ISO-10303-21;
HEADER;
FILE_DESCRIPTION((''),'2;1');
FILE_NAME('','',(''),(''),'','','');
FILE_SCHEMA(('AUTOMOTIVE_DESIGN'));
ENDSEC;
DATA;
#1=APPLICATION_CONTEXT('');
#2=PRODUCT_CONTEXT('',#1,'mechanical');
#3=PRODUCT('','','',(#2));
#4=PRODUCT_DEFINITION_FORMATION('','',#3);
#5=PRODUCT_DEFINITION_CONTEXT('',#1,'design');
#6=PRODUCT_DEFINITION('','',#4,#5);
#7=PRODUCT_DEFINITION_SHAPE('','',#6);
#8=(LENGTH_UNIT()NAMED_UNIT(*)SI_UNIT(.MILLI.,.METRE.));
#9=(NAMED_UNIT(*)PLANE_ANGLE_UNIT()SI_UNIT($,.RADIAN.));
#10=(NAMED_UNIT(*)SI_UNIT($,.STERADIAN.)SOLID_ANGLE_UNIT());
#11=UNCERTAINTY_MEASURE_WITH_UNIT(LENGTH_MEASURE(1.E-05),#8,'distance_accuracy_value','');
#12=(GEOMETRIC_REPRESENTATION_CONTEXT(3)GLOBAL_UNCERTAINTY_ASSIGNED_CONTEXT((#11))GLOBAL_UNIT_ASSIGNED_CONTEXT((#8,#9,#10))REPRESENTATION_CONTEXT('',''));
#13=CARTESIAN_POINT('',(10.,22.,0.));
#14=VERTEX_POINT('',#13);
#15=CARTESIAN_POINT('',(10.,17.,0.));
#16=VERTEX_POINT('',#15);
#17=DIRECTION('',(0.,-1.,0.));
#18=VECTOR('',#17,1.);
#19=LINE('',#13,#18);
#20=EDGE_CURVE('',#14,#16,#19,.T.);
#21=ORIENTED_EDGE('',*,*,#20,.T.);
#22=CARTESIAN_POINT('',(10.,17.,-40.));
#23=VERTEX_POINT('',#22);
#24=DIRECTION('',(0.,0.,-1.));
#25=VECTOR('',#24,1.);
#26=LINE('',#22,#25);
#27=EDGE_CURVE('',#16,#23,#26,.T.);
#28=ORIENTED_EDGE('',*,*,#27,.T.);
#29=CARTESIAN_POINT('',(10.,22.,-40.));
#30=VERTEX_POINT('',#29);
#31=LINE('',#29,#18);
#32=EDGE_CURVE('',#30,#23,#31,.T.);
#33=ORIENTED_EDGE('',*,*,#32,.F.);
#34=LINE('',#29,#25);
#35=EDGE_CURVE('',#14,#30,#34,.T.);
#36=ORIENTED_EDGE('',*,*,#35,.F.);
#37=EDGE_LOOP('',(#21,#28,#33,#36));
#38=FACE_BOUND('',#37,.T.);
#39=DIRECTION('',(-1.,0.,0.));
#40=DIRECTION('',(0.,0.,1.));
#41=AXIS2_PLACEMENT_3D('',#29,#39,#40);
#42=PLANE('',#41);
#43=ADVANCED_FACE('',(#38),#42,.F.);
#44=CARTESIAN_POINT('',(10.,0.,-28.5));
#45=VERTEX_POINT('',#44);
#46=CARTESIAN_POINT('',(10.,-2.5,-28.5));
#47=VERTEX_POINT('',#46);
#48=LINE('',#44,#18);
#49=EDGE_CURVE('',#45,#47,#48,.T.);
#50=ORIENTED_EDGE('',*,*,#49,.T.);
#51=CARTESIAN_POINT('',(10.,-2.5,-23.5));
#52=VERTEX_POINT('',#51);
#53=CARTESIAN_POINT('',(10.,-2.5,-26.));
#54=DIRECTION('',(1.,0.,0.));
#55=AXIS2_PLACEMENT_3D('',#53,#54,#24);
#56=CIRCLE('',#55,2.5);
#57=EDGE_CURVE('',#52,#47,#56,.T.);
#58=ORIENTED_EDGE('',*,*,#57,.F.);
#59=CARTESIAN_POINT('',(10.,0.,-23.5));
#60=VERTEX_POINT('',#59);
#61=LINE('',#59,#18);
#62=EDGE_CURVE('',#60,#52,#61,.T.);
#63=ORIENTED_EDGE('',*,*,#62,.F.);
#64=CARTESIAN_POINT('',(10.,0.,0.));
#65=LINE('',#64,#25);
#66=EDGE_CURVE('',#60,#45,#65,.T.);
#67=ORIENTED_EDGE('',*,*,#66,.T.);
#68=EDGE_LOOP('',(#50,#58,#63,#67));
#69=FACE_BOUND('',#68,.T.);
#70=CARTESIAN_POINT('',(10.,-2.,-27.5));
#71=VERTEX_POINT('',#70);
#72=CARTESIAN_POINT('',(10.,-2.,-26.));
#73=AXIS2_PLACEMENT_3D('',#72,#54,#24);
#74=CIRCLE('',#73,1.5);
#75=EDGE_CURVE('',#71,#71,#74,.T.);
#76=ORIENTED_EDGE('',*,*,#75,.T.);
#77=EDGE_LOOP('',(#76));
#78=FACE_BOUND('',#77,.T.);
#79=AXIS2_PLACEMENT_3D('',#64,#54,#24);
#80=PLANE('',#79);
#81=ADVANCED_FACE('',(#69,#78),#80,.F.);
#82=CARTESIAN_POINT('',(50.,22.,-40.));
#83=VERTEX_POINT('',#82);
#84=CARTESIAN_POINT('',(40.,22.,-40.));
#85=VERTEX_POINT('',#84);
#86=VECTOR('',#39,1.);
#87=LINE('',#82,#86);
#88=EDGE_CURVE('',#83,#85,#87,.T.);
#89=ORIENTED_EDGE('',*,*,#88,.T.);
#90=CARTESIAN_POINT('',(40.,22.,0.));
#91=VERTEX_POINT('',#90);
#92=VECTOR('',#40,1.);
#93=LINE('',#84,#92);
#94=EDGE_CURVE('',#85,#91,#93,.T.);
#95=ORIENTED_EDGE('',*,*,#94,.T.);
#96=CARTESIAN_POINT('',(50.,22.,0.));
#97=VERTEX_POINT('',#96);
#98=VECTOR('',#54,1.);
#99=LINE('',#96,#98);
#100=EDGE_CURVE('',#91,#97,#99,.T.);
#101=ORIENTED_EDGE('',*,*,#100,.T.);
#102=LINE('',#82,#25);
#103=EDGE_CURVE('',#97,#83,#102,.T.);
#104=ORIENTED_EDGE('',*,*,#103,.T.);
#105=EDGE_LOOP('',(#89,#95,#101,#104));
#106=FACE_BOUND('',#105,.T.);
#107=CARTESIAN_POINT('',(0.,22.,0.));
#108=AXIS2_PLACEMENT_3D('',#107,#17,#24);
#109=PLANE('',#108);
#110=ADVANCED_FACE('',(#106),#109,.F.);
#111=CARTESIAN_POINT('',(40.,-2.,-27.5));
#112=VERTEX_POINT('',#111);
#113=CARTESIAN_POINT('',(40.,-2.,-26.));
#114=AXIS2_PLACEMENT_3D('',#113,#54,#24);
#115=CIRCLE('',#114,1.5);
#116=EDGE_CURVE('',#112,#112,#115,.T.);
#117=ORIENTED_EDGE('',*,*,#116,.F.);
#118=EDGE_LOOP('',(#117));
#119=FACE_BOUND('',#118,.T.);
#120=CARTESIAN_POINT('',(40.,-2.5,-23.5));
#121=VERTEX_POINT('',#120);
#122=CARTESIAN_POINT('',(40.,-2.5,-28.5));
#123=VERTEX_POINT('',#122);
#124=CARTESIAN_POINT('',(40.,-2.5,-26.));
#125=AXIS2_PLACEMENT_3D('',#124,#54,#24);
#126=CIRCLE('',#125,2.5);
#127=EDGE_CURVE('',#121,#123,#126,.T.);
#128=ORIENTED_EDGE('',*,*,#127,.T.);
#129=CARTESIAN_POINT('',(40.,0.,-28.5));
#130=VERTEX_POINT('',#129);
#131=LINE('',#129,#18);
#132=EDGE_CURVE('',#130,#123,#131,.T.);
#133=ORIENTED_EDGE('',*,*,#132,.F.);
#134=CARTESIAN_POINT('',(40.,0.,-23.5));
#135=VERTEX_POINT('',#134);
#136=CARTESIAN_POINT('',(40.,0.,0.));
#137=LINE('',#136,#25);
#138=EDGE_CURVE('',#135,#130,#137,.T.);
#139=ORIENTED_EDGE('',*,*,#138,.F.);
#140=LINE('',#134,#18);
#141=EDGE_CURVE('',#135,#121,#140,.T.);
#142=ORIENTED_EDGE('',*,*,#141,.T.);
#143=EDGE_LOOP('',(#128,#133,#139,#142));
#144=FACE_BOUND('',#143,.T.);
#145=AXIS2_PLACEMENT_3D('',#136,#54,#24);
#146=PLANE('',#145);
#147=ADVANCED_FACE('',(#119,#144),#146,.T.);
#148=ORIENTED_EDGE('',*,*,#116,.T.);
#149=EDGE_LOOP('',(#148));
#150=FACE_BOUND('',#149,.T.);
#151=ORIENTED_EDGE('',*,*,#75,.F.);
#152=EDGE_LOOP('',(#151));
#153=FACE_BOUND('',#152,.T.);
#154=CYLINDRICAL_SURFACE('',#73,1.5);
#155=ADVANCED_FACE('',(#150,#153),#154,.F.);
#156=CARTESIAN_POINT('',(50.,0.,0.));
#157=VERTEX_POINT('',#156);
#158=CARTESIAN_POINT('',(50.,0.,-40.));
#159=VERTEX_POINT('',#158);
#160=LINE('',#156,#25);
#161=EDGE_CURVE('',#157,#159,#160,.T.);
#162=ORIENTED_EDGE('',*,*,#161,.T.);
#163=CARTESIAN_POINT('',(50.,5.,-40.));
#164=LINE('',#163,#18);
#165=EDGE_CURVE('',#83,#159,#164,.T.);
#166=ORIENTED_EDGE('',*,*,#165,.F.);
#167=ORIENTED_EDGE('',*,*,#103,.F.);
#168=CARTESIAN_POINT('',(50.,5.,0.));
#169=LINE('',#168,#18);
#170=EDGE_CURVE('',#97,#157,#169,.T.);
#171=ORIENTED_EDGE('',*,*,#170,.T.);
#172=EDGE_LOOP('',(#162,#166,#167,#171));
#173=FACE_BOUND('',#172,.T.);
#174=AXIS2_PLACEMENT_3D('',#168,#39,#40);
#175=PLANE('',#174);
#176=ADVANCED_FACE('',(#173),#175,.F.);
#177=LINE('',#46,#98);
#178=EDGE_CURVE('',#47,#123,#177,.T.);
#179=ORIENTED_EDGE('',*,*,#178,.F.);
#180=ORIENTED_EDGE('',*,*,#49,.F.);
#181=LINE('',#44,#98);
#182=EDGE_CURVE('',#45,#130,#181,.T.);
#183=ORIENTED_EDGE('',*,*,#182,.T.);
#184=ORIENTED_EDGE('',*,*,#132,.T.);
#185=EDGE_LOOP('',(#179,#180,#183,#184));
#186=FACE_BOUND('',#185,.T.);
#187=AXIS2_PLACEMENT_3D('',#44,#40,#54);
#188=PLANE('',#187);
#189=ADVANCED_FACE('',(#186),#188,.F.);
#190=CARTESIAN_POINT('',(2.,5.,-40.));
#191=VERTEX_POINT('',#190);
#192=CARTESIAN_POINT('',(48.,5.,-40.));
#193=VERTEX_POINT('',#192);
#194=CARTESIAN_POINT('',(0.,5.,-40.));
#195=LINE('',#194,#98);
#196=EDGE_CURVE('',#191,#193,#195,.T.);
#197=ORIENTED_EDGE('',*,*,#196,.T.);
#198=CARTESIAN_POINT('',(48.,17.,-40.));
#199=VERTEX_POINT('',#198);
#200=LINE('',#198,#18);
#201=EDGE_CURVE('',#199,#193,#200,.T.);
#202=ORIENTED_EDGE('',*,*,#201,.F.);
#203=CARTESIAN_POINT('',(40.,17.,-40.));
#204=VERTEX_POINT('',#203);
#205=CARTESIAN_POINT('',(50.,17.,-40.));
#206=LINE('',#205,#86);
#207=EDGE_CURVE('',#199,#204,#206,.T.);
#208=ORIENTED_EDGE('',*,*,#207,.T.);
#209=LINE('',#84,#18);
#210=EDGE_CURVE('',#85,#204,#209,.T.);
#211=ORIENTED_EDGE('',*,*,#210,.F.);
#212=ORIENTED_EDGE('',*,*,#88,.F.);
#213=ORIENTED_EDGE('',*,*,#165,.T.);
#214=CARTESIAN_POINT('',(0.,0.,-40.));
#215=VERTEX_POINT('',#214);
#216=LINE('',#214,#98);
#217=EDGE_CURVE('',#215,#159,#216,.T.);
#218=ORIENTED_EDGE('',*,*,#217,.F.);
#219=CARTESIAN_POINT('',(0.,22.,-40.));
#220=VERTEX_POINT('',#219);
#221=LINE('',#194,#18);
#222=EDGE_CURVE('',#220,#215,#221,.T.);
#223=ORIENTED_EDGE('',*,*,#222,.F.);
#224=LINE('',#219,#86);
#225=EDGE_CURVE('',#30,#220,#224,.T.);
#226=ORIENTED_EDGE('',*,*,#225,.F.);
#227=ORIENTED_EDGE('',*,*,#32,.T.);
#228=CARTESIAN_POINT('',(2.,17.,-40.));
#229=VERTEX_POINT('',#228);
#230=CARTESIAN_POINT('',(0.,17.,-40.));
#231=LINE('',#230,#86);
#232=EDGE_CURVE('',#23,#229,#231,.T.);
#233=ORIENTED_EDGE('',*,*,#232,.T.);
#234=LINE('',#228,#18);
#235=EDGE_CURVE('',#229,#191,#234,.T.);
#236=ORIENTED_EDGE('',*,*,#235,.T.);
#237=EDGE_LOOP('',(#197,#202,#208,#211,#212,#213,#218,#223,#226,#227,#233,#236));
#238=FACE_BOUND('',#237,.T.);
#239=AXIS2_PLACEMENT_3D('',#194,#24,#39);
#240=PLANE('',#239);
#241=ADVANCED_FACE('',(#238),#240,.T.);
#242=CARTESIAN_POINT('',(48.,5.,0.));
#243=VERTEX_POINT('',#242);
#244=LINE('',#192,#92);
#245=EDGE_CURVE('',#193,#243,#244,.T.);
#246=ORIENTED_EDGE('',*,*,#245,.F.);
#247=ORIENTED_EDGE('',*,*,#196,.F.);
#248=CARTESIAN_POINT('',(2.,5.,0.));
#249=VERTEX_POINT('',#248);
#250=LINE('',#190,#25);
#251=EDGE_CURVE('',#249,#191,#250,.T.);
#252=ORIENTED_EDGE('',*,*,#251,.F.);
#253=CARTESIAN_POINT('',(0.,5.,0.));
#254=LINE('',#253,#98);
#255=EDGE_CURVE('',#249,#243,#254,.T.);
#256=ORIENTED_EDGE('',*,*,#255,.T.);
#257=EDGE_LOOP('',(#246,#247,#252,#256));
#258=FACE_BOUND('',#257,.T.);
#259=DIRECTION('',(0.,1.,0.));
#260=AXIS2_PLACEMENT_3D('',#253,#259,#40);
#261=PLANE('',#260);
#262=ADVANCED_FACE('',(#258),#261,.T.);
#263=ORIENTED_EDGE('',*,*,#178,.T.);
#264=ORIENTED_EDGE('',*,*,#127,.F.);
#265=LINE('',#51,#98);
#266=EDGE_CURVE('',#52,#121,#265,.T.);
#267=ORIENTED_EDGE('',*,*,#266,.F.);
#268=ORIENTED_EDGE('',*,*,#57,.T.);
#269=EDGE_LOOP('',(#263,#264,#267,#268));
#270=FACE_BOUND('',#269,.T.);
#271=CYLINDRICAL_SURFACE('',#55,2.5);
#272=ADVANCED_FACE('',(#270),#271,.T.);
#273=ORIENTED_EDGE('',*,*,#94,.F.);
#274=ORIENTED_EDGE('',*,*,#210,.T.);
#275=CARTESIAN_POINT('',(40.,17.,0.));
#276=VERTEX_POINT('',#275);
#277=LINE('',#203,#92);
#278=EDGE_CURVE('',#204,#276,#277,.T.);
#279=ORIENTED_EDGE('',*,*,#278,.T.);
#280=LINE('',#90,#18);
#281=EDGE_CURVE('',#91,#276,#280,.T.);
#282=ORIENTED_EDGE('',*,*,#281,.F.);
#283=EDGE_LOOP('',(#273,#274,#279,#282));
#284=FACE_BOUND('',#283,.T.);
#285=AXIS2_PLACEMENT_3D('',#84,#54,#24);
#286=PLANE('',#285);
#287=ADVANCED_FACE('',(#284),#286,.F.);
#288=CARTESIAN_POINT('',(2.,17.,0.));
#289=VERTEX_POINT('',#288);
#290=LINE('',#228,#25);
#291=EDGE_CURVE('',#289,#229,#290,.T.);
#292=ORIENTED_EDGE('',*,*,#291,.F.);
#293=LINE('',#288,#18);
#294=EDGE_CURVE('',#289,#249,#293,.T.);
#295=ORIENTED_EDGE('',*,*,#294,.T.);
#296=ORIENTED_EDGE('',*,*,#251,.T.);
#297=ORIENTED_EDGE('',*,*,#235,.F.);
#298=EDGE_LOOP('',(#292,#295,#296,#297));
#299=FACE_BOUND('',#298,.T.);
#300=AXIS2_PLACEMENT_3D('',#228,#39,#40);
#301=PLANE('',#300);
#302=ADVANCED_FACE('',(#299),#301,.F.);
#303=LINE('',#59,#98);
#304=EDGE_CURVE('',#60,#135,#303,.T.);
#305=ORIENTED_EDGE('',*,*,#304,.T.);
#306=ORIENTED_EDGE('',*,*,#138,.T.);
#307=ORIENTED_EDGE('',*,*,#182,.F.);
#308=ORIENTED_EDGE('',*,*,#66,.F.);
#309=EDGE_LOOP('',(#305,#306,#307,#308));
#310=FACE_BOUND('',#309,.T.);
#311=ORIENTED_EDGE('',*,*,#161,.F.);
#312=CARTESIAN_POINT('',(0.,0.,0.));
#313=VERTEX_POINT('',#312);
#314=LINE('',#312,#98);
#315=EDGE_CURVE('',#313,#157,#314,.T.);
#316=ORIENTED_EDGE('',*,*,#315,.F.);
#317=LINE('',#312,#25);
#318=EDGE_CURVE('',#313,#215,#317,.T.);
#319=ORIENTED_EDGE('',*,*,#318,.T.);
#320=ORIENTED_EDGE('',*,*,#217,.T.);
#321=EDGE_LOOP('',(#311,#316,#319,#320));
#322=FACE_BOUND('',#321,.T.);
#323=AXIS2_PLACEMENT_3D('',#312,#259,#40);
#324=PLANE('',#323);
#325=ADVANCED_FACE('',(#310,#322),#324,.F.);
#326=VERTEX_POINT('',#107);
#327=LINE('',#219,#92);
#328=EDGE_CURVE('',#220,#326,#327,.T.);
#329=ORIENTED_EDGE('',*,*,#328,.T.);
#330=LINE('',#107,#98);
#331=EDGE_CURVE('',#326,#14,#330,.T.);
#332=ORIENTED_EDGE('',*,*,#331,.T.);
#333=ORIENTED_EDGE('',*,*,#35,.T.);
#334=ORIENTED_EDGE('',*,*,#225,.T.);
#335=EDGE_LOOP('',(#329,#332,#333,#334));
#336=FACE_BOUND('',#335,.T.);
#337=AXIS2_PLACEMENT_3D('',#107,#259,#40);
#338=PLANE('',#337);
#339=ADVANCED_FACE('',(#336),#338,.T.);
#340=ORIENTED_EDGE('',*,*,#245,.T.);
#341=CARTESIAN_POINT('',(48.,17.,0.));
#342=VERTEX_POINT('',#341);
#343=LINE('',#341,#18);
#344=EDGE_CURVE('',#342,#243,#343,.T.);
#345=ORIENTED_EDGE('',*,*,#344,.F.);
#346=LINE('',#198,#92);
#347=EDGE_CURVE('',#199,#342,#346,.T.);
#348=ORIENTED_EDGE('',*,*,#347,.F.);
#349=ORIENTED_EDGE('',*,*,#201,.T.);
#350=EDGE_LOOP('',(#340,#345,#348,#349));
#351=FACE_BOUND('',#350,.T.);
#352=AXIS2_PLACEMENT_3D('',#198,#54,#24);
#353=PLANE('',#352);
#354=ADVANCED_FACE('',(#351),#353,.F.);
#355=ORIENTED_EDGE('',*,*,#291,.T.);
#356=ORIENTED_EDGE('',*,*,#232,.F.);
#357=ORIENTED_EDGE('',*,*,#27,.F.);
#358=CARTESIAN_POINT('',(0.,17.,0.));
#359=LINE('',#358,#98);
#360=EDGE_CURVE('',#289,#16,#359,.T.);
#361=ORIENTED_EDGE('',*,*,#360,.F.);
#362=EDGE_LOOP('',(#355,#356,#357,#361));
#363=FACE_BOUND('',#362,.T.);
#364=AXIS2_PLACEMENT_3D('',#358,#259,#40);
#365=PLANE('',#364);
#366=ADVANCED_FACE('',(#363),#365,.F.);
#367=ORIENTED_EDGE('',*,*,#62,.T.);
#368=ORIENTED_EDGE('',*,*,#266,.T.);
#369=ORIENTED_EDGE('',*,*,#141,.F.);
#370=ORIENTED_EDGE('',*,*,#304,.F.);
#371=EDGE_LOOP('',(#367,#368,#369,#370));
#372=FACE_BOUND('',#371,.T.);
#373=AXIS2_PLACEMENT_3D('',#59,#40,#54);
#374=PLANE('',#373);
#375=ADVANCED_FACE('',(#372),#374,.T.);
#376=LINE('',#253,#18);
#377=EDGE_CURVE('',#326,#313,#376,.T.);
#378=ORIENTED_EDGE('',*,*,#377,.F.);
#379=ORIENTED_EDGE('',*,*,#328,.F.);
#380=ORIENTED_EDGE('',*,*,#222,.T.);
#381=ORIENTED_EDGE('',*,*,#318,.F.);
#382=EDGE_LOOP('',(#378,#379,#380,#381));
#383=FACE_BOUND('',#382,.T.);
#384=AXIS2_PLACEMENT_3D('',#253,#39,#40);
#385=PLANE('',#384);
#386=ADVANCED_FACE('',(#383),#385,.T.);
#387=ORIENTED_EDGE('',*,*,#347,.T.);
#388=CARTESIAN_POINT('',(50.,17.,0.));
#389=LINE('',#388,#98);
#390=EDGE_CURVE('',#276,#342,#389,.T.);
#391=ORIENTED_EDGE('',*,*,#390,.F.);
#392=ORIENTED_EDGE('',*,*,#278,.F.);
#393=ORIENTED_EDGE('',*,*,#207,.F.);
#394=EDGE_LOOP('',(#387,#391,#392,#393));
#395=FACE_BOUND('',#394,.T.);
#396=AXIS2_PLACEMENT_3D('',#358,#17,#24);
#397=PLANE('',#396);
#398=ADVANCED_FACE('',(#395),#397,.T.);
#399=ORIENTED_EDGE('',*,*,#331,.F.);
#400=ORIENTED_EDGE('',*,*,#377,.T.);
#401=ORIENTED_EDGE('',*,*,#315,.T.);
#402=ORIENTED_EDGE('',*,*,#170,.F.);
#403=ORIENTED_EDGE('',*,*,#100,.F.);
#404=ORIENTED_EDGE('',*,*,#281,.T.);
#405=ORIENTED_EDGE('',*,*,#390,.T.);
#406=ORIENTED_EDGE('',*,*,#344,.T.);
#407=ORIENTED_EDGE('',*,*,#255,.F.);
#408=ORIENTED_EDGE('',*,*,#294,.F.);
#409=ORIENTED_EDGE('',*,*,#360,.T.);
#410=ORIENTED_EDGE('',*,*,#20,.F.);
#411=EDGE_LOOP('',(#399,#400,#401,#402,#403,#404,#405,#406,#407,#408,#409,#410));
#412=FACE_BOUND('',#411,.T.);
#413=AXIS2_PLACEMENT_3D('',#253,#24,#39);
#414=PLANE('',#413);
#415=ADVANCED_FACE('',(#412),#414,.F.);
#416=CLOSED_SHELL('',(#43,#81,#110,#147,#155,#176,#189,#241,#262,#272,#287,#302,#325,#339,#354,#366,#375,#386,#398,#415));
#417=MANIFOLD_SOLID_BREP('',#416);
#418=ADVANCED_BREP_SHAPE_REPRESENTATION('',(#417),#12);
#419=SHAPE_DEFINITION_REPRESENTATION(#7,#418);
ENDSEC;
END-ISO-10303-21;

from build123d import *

# Parameters (mm, degrees)
SKETCH1_W                = 50
SKETCH1_H                = 40
BOSS_EXTRUDE2_DEPTH      = 5
SKETCH2_W                = 2
SKETCH2_H                = 40
BOSS_EXTRUDE4_DEPTH      = 12
SKETCH3_W                = 10
SKETCH3_H                = 40
BOSS_EXTRUDE5_DEPTH      = 5
BOSS_EXTRUDE6_DEPTH      = 15
BOSS_EXTRUDE6_DEPTH_BACK = 15
SKETCH5_R                = 1.5


with BuildPart() as part:
    # Sketch1 → Boss-Extrude2 (new body)
    with BuildSketch(Plane(origin=(0, 0, 0), x_dir=(1, 0, 0), z_dir=(0, 1, 0))):
        with Locations((25, 20)):
            Rectangle(SKETCH1_W, SKETCH1_H)
    extrude(amount=BOSS_EXTRUDE2_DEPTH)

    # Sketch2 → Boss-Extrude4 (add)
    with BuildSketch(Plane(origin=(0, 5, 0), x_dir=(1, 0, 0), z_dir=(0, 1, 0))):
        with Locations((1, 20)):
            Rectangle(SKETCH2_W, SKETCH2_H)
        with Locations((49, 20)):
            Rectangle(SKETCH2_W, SKETCH2_H)
    extrude(amount=BOSS_EXTRUDE4_DEPTH)

    # Sketch3 → Boss-Extrude5 (add)
    with BuildSketch(Plane(origin=(0, 17, 0), x_dir=(1, 0, 0), z_dir=(0, 1, 0))):
        with Locations((5, 20)):
            Rectangle(SKETCH3_W, SKETCH3_H)
        with Locations((45, 20)):
            Rectangle(SKETCH3_W, SKETCH3_H)
    extrude(amount=BOSS_EXTRUDE5_DEPTH)

    # Sketch5 → Boss-Extrude6 (add, two sides: drawn at the far end of the back side and taken through both)
    with BuildSketch(Plane(origin=(25, 0, 0), x_dir=(0, 0, -1), z_dir=(1, 0, 0)).offset(-BOSS_EXTRUDE6_DEPTH_BACK)):
        with BuildLine():
            Line((23.5, 0), (23.5, -2.5))
            ThreePointArc((23.5, -2.5), (26, -5), (28.5, -2.5))
            Line((28.5, -2.5), (28.5, 0))
            Line((28.5, 0), (23.5, 0))
        make_face()
        with Locations((26, -2)):
            Circle(SKETCH5_R, mode=Mode.SUBTRACT)
    extrude(amount=BOSS_EXTRUDE6_DEPTH + BOSS_EXTRUDE6_DEPTH_BACK)


solid = part.part
